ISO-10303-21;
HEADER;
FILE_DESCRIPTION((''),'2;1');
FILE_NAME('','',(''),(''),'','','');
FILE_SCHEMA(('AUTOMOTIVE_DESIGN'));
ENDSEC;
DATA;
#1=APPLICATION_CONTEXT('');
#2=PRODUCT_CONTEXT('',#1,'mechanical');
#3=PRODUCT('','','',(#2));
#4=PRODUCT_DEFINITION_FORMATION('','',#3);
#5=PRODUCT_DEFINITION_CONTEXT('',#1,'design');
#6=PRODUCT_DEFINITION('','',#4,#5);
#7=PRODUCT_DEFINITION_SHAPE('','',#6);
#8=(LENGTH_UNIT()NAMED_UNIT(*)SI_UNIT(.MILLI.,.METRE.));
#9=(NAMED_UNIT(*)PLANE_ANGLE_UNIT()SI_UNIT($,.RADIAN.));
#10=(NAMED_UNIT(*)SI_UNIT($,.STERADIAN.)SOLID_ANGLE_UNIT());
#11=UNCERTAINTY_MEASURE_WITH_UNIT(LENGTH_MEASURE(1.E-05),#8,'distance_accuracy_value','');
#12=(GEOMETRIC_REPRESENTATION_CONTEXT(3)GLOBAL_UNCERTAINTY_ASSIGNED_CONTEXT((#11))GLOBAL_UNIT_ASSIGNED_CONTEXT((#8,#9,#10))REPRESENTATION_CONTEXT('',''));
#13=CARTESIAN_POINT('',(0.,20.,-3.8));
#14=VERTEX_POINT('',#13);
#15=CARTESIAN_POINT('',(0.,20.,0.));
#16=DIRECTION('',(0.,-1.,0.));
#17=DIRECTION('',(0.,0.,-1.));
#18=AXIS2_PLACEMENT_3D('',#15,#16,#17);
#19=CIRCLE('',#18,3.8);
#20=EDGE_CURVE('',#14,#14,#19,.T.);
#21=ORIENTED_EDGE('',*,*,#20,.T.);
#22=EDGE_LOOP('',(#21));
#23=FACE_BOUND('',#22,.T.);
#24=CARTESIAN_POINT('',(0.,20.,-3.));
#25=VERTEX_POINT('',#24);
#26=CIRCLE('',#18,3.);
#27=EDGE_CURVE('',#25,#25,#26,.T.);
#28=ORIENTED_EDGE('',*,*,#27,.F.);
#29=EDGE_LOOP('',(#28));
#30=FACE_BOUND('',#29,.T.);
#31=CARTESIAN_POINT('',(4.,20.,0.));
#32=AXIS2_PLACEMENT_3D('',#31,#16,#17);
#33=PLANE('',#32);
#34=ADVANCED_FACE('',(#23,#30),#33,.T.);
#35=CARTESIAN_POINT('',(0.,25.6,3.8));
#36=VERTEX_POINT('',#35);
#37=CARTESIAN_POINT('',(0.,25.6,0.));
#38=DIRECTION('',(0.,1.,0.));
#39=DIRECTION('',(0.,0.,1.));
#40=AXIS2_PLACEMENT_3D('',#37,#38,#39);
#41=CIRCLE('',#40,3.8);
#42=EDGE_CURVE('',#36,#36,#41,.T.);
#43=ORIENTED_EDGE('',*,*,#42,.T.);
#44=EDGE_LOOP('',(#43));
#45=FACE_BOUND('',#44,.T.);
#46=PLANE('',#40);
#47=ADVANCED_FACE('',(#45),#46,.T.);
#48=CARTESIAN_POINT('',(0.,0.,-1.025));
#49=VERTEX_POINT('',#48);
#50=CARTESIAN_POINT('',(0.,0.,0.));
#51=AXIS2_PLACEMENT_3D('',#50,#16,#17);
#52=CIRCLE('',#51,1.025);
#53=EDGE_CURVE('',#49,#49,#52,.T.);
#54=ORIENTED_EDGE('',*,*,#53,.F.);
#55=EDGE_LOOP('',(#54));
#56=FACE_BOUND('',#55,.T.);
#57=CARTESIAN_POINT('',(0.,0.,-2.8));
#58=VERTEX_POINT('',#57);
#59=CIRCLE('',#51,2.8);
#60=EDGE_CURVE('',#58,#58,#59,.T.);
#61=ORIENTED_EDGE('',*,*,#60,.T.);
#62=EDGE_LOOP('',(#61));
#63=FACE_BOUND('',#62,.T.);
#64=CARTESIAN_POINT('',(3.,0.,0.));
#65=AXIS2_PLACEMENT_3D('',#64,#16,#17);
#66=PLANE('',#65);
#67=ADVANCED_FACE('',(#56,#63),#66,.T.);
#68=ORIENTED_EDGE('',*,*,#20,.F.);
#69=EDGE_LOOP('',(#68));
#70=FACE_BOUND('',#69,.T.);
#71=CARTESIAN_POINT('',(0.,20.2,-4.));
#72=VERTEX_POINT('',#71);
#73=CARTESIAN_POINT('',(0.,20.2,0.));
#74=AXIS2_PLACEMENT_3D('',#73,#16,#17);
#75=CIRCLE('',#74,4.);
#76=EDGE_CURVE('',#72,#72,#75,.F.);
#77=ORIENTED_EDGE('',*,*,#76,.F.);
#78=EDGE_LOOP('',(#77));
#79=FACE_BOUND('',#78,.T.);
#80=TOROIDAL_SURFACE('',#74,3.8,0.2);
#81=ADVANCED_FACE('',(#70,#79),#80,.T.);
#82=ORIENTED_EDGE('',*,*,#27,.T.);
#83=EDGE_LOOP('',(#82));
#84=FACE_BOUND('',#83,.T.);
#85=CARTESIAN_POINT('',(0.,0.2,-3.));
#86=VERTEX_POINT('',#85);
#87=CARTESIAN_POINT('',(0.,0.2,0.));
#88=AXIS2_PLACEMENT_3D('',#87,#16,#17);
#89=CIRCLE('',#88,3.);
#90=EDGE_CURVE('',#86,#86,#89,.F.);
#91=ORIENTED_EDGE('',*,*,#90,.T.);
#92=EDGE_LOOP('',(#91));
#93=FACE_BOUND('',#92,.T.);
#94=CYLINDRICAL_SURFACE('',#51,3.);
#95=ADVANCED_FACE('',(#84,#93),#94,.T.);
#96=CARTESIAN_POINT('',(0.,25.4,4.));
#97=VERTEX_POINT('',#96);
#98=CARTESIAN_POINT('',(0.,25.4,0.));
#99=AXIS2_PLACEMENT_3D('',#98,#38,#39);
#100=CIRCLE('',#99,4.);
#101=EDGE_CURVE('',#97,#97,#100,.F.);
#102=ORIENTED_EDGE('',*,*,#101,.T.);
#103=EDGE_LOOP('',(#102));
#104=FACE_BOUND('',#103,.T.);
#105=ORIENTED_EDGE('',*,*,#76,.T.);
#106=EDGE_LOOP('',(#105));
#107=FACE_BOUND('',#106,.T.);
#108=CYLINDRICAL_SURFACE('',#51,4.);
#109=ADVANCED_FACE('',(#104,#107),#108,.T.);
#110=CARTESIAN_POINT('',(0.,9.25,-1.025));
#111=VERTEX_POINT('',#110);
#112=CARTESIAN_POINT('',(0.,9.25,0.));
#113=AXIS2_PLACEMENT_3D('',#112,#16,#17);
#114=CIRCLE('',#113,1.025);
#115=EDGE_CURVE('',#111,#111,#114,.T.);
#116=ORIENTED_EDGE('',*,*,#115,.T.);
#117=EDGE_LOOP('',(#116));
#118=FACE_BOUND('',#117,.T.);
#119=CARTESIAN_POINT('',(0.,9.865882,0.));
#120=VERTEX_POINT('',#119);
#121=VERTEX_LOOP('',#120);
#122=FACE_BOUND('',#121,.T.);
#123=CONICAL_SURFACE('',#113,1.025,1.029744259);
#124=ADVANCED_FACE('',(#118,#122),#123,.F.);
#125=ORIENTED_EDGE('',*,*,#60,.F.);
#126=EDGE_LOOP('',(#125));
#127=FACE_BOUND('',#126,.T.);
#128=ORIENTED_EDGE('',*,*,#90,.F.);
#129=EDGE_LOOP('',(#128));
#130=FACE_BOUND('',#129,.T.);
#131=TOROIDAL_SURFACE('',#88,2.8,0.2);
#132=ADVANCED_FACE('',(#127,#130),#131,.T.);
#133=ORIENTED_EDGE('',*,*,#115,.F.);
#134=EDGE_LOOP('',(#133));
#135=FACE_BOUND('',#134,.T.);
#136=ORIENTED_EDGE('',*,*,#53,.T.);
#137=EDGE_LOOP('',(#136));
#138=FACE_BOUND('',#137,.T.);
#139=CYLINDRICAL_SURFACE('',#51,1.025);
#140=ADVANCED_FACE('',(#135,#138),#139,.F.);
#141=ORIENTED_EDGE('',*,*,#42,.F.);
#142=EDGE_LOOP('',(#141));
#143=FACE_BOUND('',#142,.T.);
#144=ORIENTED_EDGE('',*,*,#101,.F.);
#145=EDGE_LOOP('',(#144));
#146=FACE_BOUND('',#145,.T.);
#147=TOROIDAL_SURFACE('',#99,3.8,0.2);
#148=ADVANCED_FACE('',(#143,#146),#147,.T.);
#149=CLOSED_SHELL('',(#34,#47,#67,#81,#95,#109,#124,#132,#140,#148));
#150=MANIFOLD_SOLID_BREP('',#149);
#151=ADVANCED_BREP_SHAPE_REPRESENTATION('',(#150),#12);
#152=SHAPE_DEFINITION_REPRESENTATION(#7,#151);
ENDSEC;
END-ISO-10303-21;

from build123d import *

# Parameters (mm, degrees)
TROU_TARAUD_M2_51_D     = 2.05
TROU_TARAUD_M2_51_DEPTH = 9.25
TROU_TARAUD_M2_51_TIP   = 0.615882135
CONG_1_R                = 0.2


with BuildPart() as part:
    # Esquisse1 → Révolution1 (revolve)
    with BuildSketch(Plane.XY, mode=Mode.PRIVATE) as r_volution1_sk:
        Polygon((0, 25.6), (4, 25.6), (4, 20), (3, 20), (3, 0), (0, 0), align=None)
    revolve(r_volution1_sk.sketch.rotate(Axis((0, 0, 0), (0, 1, 0)), 90), axis=Axis((0, 0, 0), (0, 1, 0)))

    # Trou taraudé M2.51
    with Locations(Plane(origin=(0, 0, 0), x_dir=(-1, 0, 0), z_dir=(0, -1, 0))):
        with Locations((0, 0)):
            Hole(TROU_TARAUD_M2_51_D / 2, depth=TROU_TARAUD_M2_51_DEPTH)
            with Locations((0, 0, -(TROU_TARAUD_M2_51_DEPTH + TROU_TARAUD_M2_51_TIP / 2))):  # 118° drill point
                Cone(0, TROU_TARAUD_M2_51_D / 2, TROU_TARAUD_M2_51_TIP, mode=Mode.SUBTRACT)

    # Congé1
    cong_1_edges = [part.edges().sort_by_distance(p)[0] for p in [
        (0, 0, 3),
        (0, 20, 4),
        (0, 25.6, 4),
    ]]
    fillet(cong_1_edges, radius=CONG_1_R)


solid = part.part
